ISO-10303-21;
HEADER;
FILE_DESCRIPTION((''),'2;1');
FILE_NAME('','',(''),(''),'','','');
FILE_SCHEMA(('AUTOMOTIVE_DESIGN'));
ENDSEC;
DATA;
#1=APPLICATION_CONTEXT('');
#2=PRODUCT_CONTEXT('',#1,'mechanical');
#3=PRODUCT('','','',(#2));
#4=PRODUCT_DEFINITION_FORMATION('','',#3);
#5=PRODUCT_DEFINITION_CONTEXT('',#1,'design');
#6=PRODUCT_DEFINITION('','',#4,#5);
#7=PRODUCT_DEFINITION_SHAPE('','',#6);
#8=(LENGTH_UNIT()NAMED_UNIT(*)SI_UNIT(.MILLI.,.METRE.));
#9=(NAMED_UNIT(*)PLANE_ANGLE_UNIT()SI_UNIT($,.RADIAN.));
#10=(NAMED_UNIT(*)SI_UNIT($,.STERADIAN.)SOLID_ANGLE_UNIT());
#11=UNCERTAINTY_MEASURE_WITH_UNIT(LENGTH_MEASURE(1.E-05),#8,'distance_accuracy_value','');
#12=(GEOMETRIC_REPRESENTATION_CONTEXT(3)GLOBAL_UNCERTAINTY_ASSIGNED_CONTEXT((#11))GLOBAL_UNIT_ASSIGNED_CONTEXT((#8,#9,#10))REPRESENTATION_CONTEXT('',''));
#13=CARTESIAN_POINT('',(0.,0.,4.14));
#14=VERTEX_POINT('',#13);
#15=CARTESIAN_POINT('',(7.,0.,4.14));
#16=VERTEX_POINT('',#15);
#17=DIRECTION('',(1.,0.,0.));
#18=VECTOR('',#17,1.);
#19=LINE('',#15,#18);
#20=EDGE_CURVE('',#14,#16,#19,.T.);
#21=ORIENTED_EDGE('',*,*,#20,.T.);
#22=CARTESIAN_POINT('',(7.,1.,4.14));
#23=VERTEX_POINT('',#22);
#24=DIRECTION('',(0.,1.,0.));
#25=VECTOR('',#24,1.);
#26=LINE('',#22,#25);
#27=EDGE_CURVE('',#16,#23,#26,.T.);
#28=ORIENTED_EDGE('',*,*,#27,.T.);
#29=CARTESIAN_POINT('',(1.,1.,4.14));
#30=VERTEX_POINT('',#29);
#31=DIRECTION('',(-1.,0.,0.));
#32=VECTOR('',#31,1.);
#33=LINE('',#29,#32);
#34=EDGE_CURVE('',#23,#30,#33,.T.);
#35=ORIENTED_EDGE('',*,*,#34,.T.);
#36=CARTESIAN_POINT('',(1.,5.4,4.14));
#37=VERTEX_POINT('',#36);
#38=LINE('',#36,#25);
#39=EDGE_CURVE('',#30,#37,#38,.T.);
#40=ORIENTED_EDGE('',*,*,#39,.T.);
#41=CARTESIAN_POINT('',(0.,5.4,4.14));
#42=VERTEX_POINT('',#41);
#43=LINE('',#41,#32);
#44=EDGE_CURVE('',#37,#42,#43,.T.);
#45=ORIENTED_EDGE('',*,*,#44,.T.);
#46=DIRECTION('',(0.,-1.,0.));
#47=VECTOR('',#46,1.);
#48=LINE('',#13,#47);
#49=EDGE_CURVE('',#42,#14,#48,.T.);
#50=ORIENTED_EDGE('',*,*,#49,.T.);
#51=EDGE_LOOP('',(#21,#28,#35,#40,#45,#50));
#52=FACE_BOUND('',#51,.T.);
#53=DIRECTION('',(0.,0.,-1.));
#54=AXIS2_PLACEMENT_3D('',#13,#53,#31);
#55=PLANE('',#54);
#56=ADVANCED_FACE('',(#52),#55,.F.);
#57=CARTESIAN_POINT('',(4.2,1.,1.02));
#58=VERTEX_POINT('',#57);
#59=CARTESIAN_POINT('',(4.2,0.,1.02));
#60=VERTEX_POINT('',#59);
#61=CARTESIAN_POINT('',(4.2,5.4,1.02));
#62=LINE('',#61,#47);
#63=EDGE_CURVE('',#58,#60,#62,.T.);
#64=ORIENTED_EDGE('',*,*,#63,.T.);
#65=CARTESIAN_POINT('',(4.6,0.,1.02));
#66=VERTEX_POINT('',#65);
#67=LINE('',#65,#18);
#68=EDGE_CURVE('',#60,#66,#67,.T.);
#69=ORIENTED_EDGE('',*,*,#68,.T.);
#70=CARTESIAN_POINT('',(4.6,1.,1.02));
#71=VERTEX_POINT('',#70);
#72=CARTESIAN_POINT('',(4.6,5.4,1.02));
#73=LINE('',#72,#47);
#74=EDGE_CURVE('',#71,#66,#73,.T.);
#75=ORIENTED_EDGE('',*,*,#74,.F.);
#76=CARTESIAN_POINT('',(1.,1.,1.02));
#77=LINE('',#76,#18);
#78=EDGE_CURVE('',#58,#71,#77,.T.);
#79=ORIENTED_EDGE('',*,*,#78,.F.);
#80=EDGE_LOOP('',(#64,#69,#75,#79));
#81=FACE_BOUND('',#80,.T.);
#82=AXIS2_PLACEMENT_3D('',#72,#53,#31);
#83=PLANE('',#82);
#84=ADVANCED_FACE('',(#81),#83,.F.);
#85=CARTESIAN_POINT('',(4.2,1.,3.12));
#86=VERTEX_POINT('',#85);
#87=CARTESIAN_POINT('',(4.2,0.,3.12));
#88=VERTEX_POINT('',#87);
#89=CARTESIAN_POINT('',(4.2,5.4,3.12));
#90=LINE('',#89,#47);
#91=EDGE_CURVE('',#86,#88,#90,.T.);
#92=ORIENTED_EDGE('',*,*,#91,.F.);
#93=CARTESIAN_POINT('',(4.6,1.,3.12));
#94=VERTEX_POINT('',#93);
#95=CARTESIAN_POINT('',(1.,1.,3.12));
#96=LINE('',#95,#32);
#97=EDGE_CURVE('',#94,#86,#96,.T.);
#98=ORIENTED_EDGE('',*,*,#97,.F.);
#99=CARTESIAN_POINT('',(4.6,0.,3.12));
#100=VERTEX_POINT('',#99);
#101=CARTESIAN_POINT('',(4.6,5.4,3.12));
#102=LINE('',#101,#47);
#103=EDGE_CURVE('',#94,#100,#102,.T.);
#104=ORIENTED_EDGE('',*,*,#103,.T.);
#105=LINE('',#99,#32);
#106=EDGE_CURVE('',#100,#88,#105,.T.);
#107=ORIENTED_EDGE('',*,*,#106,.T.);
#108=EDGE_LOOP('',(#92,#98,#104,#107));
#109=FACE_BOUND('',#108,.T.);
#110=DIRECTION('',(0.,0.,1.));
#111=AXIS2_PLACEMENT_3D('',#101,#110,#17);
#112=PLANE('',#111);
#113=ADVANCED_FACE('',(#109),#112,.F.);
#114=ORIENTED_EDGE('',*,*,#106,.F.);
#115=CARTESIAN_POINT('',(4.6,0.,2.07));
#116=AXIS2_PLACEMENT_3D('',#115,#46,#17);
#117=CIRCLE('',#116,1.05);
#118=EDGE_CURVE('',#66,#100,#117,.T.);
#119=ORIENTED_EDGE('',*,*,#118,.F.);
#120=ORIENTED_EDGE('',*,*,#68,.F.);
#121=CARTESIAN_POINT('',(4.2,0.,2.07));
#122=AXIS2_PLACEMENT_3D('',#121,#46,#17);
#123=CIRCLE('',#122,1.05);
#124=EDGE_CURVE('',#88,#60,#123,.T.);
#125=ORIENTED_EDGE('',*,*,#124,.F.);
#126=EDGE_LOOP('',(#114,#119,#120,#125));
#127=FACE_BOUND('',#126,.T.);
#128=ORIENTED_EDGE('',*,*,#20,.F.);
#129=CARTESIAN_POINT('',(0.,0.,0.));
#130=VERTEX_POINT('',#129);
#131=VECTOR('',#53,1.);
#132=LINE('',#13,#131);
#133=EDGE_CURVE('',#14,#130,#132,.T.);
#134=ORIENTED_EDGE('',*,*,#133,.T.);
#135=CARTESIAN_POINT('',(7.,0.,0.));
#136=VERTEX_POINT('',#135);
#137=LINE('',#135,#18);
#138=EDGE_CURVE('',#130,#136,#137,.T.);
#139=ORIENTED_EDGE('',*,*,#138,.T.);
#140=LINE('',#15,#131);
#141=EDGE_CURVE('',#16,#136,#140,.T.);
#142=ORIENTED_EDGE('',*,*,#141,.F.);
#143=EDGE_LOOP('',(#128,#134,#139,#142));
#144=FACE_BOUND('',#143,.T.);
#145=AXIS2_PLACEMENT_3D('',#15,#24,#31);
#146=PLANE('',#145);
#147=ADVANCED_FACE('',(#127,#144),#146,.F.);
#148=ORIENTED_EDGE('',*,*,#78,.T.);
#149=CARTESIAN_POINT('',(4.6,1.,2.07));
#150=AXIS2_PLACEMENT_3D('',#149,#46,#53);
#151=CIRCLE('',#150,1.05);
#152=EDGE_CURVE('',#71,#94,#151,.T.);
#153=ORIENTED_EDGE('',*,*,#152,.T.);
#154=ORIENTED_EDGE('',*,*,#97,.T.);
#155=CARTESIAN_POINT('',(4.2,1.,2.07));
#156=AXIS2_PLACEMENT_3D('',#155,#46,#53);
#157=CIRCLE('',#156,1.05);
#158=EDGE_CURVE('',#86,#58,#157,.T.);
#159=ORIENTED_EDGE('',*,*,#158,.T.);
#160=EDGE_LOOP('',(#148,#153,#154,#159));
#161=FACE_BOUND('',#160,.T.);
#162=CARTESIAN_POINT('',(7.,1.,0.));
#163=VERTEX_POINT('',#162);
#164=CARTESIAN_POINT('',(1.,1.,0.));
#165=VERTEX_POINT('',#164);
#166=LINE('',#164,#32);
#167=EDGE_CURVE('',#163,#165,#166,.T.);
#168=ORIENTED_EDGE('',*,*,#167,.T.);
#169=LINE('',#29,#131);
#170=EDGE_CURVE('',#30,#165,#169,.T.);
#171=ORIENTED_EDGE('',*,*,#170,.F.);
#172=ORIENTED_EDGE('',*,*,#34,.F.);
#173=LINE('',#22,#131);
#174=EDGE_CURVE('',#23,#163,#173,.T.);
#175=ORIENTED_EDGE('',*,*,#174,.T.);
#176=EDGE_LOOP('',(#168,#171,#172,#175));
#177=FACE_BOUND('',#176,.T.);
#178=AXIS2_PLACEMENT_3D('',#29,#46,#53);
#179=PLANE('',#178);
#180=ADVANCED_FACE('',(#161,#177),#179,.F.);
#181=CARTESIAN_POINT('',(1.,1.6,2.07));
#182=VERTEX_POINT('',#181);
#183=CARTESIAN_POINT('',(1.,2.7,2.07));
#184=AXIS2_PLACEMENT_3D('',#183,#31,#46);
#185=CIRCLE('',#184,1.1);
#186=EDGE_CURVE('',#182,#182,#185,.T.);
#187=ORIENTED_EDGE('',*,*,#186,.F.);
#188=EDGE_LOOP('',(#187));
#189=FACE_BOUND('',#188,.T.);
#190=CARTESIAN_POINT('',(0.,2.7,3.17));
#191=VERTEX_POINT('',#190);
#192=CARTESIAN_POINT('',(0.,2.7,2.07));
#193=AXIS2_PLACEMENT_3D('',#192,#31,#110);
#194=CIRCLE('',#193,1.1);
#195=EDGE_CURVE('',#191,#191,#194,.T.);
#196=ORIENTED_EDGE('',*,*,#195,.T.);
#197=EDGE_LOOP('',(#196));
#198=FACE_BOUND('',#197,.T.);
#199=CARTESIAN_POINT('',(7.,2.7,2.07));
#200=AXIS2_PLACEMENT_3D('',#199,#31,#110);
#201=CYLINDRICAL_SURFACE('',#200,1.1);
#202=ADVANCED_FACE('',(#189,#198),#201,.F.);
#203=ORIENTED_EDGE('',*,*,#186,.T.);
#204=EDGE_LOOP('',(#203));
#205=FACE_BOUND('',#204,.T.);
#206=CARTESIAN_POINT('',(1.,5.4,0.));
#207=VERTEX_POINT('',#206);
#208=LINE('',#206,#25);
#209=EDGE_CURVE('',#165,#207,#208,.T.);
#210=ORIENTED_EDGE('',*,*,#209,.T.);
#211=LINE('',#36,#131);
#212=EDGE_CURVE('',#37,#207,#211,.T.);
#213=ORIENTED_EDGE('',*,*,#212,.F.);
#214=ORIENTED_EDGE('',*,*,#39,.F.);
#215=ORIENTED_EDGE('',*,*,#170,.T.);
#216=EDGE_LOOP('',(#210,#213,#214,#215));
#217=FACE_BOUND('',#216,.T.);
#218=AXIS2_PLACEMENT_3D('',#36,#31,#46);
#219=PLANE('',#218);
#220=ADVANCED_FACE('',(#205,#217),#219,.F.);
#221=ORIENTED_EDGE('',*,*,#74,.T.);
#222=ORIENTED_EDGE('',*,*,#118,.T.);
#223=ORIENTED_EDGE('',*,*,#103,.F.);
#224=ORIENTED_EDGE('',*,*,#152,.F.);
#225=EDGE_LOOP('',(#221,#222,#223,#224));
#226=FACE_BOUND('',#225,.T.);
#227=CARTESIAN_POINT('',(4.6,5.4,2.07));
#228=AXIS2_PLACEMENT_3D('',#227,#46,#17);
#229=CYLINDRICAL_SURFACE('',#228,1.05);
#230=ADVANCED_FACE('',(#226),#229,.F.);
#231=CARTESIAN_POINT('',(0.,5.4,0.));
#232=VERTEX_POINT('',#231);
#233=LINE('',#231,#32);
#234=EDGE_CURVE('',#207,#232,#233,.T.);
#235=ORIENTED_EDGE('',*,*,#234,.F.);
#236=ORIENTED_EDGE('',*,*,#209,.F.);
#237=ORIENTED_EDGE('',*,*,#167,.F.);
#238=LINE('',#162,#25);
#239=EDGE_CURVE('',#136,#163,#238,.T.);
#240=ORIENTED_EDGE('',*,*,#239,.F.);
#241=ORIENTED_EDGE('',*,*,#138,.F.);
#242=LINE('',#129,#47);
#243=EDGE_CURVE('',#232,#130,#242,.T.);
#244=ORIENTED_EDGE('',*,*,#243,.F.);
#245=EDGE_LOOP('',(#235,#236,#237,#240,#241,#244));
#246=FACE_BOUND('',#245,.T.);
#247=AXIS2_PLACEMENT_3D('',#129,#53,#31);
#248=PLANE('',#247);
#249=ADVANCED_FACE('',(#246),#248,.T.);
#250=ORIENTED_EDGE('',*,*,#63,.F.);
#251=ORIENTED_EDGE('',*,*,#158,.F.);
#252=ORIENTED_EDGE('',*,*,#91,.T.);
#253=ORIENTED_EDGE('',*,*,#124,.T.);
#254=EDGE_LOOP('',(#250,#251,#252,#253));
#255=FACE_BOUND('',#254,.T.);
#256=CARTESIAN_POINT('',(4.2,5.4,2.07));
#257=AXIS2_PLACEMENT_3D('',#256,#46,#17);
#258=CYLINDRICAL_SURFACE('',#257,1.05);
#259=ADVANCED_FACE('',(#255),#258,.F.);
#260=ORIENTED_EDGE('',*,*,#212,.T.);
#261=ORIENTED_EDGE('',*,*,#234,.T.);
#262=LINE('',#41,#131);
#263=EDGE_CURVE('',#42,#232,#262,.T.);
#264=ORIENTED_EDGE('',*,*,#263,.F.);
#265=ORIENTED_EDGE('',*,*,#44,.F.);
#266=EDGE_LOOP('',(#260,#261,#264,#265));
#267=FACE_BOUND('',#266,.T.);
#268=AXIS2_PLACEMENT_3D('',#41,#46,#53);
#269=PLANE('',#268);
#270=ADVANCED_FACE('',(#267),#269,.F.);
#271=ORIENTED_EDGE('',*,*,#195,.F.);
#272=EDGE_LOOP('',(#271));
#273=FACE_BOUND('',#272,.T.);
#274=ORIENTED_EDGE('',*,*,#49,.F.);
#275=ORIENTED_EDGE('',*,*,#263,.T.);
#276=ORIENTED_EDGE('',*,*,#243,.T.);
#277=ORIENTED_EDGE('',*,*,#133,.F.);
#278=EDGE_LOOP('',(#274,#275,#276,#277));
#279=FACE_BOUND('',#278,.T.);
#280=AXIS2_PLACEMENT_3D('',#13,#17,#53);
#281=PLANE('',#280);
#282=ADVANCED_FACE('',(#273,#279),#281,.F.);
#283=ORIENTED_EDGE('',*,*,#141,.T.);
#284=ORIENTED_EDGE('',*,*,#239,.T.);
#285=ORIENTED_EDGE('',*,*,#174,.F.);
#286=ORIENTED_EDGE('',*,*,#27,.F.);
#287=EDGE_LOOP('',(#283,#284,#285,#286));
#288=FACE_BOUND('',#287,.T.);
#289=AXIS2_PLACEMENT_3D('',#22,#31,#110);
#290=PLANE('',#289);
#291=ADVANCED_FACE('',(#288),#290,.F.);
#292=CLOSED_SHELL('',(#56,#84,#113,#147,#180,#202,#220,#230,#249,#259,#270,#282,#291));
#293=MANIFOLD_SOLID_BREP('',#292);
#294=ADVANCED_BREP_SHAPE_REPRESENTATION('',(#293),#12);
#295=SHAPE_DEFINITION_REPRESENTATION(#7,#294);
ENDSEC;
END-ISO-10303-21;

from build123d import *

# Parameters (mm, degrees)
EXTRUDE_1_DEPTH     = 4.14
SKETCH_3_R          = 1.1
CUT_EXTRUDE_1_DEPTH = 10.762151402
CUT_EXTRUDE_2_DEPTH = 10.762151402


with BuildPart() as part:
    # 草图1 → 凸台-拉伸1 (new body)
    with BuildSketch(Plane.XY):
        Polygon((0, 0), (0, 5.4), (1, 5.4), (1, 1), (7, 1), (7, 0), align=None)
    extrude(amount=EXTRUDE_1_DEPTH)

    # 草图3 → 切除-拉伸1 (cut, through all)
    with BuildSketch(Plane.ZY):
        with Locations((2.07, 2.7)):
            Circle(SKETCH_3_R)
    extrude(amount=-CUT_EXTRUDE_1_DEPTH, mode=Mode.SUBTRACT)

    # 草图4 → 切除-拉伸2 (cut, through all)
    with BuildSketch(Plane.XZ):
        with BuildLine():
            Line((4.6, 1.02), (4.2, 1.02))
            ThreePointArc((4.2, 1.02), (3.15, 2.07), (4.2, 3.12))
            Line((4.2, 3.12), (4.6, 3.12))
            ThreePointArc((4.6, 3.12), (5.65, 2.07), (4.6, 1.02))
        make_face()
    extrude(amount=-CUT_EXTRUDE_2_DEPTH, mode=Mode.SUBTRACT)


solid = part.part
